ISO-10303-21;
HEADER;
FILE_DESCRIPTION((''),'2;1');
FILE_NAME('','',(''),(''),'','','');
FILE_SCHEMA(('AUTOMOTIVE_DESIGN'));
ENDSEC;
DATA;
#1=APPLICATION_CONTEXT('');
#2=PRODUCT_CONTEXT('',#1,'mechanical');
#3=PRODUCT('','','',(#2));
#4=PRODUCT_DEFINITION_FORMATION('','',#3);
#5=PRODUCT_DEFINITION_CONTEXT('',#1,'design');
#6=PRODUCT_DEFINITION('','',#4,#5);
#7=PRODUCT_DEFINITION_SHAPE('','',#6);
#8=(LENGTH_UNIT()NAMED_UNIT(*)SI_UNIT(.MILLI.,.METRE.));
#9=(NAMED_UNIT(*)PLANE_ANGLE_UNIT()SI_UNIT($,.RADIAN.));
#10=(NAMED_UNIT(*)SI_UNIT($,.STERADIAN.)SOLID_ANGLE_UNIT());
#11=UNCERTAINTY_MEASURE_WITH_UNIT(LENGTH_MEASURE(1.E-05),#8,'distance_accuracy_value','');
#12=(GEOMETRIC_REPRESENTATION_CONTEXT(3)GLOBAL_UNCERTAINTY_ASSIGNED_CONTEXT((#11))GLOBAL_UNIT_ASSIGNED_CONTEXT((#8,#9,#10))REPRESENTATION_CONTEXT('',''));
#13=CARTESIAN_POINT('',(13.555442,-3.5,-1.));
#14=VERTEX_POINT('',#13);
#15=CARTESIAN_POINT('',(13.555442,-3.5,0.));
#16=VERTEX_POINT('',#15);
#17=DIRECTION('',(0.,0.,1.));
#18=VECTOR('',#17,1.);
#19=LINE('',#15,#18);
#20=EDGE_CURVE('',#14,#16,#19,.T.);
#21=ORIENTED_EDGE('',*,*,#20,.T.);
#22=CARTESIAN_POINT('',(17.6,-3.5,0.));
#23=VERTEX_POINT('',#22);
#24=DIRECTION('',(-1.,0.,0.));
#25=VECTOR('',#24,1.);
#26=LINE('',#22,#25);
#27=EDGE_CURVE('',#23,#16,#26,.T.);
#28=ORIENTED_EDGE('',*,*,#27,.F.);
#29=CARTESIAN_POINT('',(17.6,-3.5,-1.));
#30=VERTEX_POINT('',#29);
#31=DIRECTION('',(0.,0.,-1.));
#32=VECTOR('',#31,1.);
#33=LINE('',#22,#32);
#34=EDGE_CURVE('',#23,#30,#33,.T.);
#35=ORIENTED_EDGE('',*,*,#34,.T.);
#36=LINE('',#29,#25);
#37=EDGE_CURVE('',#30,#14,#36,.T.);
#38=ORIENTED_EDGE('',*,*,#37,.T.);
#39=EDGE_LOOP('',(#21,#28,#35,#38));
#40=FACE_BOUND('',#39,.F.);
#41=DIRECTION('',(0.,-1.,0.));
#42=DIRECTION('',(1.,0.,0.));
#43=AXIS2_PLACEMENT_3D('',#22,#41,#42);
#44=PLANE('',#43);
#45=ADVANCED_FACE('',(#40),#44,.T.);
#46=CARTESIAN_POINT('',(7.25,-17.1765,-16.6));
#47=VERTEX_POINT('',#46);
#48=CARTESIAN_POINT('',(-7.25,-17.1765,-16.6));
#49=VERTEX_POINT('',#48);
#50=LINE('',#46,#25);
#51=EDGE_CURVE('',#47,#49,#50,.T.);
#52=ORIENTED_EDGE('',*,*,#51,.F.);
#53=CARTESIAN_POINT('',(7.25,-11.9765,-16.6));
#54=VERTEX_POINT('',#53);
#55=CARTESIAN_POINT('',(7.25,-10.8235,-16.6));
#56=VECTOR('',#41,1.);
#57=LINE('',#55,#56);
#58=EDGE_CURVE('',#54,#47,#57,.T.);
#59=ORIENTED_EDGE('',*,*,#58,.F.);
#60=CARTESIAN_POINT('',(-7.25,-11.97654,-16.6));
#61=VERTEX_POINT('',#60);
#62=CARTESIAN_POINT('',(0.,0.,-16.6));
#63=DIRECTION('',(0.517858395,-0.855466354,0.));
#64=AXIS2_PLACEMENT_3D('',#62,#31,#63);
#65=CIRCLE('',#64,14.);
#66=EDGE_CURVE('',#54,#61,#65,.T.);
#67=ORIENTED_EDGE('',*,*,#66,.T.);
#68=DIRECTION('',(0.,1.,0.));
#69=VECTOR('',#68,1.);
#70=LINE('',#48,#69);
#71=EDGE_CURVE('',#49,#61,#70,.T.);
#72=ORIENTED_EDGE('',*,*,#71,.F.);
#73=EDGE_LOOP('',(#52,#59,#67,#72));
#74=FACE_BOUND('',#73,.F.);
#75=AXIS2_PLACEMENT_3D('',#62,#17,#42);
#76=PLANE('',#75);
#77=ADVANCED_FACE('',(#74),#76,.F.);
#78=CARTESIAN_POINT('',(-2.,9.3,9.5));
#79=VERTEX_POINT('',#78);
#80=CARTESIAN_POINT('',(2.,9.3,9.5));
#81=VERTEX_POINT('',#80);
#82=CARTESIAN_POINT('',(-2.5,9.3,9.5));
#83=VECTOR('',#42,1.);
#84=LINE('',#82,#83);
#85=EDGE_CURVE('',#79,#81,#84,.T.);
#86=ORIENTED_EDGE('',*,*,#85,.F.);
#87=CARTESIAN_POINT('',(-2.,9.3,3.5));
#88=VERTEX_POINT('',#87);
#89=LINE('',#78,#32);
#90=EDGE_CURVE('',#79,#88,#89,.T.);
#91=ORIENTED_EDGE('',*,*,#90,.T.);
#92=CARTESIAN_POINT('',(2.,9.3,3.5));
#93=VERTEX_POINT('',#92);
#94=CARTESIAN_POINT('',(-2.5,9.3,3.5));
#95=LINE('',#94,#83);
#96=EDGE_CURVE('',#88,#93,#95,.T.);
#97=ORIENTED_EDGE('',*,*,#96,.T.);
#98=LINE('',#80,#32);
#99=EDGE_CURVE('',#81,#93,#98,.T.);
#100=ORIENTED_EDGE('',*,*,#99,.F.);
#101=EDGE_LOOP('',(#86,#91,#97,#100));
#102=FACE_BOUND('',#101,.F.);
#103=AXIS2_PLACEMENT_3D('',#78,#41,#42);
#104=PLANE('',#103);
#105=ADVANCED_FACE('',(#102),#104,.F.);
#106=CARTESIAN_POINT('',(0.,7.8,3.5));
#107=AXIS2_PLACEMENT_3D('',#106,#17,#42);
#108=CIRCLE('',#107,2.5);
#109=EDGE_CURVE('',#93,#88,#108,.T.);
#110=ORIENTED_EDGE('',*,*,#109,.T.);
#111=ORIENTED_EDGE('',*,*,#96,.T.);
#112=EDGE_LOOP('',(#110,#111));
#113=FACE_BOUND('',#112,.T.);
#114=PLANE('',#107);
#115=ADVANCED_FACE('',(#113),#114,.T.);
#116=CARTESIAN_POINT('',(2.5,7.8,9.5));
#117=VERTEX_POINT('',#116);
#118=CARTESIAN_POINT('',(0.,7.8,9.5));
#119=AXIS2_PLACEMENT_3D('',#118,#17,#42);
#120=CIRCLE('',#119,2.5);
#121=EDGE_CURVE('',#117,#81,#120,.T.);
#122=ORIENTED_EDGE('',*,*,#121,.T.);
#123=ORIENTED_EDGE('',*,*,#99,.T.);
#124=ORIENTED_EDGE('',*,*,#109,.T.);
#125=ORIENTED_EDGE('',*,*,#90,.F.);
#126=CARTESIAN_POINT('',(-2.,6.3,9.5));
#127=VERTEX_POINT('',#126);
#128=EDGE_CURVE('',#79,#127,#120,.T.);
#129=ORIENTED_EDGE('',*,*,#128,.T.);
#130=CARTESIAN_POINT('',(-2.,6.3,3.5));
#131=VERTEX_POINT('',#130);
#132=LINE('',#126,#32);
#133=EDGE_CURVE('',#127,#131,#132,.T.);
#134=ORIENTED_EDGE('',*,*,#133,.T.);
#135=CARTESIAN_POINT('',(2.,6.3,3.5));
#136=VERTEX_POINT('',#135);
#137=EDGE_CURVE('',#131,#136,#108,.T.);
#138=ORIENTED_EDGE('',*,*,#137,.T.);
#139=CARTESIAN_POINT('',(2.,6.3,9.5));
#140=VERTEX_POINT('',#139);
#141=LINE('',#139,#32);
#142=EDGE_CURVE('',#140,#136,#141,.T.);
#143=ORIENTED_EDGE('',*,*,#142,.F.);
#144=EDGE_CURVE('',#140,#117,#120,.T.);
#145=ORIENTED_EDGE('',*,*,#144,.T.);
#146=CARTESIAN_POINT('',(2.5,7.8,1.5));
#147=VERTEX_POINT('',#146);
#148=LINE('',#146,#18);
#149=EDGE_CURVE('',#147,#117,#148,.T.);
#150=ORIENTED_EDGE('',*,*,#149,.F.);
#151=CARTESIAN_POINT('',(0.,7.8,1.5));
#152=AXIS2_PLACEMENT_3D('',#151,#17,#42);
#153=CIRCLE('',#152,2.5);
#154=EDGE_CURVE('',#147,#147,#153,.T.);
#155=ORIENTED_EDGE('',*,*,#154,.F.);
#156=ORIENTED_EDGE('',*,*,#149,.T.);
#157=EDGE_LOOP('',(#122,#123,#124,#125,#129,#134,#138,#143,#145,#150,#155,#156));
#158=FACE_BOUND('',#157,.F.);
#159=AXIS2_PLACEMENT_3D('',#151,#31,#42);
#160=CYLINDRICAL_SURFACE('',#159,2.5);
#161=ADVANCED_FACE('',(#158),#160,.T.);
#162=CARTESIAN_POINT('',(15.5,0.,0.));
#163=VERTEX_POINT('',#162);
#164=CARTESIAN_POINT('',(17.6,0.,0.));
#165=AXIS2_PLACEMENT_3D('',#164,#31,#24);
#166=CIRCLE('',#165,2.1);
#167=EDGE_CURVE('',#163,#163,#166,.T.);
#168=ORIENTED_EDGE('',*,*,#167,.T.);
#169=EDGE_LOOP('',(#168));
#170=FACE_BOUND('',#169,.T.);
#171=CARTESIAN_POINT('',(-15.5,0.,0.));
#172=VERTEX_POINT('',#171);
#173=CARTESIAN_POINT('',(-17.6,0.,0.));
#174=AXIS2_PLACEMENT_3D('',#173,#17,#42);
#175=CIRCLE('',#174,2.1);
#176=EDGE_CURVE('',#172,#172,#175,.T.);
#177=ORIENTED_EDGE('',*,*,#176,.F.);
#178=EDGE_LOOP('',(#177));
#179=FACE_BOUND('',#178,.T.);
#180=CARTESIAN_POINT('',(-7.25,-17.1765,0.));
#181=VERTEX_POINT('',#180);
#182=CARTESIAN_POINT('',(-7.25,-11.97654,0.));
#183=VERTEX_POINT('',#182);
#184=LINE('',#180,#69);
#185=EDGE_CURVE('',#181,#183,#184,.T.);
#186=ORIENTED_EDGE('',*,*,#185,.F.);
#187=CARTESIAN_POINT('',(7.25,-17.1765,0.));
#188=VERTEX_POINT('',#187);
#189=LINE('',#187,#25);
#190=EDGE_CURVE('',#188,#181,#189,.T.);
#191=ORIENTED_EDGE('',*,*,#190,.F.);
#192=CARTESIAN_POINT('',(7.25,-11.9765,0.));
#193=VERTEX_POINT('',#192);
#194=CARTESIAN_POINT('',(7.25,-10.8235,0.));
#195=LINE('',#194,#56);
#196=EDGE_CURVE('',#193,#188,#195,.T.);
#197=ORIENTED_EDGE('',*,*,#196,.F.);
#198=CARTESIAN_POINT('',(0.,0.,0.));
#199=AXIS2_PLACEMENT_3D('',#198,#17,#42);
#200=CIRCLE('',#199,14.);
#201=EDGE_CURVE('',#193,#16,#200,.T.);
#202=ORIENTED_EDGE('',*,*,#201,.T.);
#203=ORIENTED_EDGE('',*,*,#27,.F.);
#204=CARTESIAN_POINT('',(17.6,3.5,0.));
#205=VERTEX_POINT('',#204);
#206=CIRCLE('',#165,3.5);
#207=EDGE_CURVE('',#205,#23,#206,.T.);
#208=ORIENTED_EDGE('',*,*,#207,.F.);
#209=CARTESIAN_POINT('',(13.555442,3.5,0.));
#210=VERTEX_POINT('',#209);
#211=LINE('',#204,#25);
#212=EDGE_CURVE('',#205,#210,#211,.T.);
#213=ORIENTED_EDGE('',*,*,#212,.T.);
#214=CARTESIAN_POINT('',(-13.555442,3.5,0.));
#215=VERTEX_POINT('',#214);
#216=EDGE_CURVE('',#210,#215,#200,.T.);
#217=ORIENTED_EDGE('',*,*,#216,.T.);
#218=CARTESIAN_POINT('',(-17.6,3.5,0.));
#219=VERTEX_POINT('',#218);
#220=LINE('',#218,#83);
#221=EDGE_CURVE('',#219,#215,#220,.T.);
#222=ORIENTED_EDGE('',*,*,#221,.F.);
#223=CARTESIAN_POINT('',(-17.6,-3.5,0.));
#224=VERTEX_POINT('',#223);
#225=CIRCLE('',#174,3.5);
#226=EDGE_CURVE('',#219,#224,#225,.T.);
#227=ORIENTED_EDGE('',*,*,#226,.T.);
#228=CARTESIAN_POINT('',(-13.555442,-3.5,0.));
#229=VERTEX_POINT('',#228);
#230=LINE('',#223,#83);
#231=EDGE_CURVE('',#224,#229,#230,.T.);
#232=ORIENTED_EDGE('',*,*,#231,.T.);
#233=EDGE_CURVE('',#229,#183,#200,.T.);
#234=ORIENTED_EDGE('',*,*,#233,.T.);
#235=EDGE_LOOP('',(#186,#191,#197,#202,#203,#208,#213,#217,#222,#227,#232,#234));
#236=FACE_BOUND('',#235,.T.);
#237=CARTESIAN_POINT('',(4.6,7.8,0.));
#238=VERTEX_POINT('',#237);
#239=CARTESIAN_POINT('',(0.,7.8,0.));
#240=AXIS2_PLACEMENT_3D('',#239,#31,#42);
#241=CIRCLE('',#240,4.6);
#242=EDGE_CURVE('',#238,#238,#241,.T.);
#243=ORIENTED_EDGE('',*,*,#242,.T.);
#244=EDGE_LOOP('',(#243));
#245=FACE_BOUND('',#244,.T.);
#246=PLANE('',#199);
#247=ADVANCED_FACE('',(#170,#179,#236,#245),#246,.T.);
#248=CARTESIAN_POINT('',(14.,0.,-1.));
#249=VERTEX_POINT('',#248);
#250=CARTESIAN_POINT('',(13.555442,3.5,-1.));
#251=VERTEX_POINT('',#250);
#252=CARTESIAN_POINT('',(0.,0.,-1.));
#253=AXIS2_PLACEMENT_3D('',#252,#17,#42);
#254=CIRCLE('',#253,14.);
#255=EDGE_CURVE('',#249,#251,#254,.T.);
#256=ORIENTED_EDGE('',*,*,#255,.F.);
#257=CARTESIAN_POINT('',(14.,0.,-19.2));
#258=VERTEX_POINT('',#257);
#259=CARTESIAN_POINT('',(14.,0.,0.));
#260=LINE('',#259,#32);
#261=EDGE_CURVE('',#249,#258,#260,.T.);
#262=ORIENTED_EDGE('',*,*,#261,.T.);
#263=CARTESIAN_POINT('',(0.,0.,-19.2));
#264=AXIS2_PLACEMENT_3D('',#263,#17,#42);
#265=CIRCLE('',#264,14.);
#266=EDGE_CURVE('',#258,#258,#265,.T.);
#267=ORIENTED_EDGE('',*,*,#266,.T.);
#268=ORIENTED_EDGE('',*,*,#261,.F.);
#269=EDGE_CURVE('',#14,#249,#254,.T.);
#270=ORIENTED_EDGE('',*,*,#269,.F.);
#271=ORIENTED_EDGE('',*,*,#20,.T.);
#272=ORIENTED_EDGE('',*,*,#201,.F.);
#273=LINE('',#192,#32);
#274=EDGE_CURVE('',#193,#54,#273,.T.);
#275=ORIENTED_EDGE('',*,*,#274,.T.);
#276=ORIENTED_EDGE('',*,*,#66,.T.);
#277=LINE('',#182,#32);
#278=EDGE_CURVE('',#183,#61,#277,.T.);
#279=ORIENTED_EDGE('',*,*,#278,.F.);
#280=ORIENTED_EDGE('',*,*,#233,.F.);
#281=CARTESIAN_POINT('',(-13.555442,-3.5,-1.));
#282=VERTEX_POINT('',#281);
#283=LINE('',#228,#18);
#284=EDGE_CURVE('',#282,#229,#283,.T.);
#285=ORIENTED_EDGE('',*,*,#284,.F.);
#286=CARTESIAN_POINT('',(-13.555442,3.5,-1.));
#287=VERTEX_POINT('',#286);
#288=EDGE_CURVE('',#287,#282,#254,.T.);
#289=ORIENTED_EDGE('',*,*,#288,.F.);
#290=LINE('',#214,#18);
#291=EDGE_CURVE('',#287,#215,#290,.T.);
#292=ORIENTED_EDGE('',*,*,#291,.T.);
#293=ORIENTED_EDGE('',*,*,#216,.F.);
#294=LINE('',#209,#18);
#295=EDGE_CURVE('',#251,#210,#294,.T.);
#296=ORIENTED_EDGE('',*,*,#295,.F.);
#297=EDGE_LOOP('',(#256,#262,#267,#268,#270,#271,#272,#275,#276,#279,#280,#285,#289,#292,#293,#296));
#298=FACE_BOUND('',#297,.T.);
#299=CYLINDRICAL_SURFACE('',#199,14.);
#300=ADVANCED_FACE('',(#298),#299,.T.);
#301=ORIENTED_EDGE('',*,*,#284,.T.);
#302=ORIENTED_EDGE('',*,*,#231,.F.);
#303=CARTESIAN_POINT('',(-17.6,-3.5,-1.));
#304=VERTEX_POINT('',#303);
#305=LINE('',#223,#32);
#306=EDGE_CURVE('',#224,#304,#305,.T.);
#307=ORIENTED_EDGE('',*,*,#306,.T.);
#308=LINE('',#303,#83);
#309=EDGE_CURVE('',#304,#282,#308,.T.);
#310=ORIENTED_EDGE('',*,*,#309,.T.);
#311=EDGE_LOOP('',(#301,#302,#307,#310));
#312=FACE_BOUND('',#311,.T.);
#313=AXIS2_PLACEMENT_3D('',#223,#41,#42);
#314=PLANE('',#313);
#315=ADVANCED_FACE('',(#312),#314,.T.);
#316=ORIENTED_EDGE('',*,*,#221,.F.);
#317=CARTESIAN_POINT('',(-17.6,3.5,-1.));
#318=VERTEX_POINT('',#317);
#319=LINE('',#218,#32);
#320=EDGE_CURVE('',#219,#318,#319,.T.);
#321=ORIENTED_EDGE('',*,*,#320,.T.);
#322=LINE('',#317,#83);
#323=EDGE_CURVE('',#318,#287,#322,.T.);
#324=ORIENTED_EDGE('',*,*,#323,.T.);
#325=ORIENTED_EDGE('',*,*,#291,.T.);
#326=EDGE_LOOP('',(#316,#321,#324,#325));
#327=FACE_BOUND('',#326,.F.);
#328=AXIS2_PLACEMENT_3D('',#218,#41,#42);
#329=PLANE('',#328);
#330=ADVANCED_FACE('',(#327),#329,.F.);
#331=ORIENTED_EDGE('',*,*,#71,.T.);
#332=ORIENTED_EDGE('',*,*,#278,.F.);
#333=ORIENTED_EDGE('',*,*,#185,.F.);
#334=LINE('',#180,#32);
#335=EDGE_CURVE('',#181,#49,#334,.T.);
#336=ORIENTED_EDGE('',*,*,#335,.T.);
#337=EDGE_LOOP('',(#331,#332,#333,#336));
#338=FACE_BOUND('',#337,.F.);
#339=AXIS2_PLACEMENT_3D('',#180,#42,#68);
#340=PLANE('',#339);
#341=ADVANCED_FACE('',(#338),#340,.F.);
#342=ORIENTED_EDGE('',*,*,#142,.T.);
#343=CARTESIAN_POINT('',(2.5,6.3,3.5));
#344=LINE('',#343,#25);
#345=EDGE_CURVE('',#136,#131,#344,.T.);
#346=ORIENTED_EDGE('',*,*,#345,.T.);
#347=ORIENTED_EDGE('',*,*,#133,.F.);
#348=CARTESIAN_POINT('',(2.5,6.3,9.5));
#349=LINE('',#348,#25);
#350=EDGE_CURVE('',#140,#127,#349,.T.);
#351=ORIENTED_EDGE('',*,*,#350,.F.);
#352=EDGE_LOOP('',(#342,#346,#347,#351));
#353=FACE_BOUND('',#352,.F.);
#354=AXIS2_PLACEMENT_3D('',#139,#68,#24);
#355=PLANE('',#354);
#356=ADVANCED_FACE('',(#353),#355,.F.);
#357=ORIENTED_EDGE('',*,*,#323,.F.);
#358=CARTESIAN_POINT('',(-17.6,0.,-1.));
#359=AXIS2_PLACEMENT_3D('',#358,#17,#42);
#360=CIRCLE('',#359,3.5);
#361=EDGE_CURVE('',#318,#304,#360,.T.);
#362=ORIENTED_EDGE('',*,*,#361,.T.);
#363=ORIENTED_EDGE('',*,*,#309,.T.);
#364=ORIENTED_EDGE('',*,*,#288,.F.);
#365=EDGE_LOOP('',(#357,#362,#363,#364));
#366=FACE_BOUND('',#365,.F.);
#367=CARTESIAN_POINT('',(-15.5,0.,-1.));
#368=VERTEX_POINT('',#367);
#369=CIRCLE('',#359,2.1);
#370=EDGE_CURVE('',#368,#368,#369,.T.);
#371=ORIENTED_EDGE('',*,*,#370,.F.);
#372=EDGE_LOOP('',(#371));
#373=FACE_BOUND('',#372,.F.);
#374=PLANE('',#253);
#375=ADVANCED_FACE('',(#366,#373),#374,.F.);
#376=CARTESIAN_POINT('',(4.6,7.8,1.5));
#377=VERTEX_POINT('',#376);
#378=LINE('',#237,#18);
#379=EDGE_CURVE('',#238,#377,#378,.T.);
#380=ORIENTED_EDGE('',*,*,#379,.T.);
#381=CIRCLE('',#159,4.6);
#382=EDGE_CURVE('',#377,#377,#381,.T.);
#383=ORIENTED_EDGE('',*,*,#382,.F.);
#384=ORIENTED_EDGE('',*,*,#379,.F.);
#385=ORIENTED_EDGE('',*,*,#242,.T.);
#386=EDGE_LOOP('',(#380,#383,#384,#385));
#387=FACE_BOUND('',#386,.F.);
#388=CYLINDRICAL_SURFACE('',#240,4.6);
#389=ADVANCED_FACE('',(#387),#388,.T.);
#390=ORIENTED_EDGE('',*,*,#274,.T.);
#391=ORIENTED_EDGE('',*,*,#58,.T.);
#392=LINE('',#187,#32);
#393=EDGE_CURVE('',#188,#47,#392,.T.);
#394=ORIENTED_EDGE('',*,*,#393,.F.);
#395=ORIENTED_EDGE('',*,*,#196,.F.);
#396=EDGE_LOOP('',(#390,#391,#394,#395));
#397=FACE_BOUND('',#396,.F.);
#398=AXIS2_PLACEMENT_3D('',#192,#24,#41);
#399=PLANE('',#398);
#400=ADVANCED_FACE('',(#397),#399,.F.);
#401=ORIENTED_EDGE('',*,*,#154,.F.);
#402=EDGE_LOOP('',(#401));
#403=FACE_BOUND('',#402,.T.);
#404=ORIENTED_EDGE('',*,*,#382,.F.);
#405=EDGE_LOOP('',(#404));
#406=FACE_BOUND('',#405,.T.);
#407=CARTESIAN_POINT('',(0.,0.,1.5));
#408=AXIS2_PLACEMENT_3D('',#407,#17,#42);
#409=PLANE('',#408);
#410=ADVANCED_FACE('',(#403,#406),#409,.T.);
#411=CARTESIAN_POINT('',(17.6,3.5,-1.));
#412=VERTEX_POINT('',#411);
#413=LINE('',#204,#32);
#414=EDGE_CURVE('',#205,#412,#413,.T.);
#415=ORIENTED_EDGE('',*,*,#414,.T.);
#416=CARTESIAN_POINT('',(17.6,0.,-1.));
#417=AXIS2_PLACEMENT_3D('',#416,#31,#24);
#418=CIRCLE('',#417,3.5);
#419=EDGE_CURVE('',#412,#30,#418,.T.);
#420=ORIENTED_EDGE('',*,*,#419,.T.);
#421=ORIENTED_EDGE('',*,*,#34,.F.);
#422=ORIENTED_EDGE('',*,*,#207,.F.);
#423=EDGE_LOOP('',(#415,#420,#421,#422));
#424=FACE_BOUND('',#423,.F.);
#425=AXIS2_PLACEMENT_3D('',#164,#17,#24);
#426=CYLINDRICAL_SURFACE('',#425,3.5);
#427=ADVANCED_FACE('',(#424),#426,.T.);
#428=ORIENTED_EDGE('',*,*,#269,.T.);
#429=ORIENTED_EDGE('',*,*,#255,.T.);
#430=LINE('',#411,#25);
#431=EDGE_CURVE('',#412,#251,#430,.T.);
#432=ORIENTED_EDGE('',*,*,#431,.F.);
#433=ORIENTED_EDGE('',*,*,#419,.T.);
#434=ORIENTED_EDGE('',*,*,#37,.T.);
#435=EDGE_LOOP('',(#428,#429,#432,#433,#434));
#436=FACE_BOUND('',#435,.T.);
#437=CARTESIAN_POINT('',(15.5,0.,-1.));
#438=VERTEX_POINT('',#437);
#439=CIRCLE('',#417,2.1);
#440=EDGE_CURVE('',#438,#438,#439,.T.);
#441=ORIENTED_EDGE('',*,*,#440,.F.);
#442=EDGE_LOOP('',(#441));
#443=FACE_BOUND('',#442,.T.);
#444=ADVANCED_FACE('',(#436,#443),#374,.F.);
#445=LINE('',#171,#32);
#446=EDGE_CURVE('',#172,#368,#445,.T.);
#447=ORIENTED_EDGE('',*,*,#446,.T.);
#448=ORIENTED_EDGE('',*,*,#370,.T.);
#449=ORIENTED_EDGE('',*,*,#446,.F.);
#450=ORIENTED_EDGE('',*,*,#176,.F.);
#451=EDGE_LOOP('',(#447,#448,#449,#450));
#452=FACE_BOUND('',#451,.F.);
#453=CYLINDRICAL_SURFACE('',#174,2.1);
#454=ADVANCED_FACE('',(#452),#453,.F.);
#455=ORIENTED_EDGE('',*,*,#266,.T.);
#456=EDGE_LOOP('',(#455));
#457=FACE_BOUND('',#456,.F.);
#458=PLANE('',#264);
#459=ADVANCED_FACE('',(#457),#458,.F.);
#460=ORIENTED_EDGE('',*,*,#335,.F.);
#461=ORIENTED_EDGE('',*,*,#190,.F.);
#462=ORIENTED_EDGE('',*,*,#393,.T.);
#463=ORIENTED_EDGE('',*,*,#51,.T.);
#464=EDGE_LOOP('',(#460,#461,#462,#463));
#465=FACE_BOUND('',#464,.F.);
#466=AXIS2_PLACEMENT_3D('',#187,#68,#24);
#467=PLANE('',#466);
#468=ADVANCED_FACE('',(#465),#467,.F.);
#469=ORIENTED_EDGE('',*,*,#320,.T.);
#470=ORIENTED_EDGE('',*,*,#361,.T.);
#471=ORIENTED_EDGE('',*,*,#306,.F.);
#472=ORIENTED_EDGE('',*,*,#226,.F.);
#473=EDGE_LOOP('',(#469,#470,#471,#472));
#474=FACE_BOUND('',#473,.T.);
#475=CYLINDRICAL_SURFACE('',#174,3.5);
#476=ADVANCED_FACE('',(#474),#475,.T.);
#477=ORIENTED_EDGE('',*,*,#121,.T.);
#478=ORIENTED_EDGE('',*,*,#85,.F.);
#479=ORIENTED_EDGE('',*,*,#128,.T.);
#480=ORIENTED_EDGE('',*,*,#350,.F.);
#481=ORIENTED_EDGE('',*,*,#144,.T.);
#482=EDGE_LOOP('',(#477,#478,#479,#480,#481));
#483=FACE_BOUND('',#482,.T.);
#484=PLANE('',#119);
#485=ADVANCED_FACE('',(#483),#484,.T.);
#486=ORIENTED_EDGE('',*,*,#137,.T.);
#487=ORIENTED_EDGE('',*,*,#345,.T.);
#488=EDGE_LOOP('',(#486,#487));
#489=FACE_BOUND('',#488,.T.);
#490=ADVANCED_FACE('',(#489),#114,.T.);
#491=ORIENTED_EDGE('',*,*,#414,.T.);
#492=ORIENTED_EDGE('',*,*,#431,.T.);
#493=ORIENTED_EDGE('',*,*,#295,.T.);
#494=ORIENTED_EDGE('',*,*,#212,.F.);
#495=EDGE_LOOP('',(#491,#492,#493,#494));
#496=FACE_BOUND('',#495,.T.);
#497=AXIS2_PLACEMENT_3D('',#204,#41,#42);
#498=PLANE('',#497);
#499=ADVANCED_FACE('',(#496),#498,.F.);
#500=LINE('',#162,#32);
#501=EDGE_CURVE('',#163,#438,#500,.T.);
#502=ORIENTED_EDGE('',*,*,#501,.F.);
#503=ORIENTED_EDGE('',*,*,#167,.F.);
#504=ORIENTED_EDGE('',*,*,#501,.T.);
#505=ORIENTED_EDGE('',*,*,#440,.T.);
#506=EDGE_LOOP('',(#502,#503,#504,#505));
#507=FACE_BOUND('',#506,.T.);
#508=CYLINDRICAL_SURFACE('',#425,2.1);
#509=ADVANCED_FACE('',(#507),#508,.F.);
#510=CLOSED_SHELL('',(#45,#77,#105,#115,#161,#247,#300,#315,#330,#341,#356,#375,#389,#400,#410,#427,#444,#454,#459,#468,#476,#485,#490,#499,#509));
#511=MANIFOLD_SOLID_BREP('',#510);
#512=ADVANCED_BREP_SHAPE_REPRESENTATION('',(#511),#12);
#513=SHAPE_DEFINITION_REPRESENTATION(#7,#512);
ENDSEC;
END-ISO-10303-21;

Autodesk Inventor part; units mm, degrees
ref_plane "YZ Plane" through (0, 0, 0) normal (1, 0, 0) x (0, 1, 0)
ref_plane "XZ Plane" through (0, 0, 0) normal (0, 1, 0) x (-1, 0, 0)
ref_plane "XY Plane" through (0, 0, 0) normal (0, 0, 1) x (1, 0, 0)
sketch "스케치1" plane through (0, 0, 0) normal (0, 0, 1) x (1, 0, 0)
  circle A0 centre (0, 0) radius 14
  line L0 (-7.25, -10.8235) -> (7.25, -10.8235) construction
  line L1 (7.25, -10.8235) -> (7.25, -17.1765)
  line L2 (7.25, -17.1765) -> (-7.25, -17.1765)
  line L3 (-7.25, -17.1765) -> (-7.25, -10.8235)
  line L4 (-7.25, -10.8235) -> (7.25, -17.1765) construction
  line L5 (7.25, -10.8235) -> (-7.25, -17.1765) construction
  line L6 (7.25, -11.9765) -> (7.25, -17.1765)
  line L7 (0, -14) -> (0, 0)
  point P0 (-7.25, -11.9765)
  dimension "d0" = 28
  dimension "d1" = 5.2
  dimension "d2" = 14.5
extrude "돌출1" add sketch "스케치1" against normal blind 19.2 contours A0
extrude "돌출2" add sketch "스케치1" against normal blind 16.6 contours A0 L1 L2 L3
sketch "스케치2" plane through (0, 0, 0) normal (0, 0, 1) x (1, 0, 0)
  circle A0 centre (-17.6, 0) radius 2.1
  circle A1 centre (-17.6, 0) radius 3.5
  line L0 (-17.6, 3.5) -> (-13.5554, 3.5)
  line L1 (-17.6, -3.5) -> (-13.5554, -3.5)
  line L2 (-17.6, 0) -> (0, 0)
  arc A2 (7.25, -11.9765) -> (-7.25, -11.9765) centre (0, 0) ccw projected
  dimension "d7" = 4.2
  dimension "d8" = 7
  dimension "d9" = 17.6
extrude "돌출3" add sketch "스케치2" against normal blind 1
mirror "미러1" about plane through (0, 0, 0) normal (1, 0, 0) of "돌출3"
sketch "스케치3" plane through (0, 0, 0) normal (0, 0, 1) x (1, 0, 0)
  circle A0 centre (0, 7.8) radius 4.6
  line L0 (0, 12.4) -> (0, 14)
  arc A1 (13.5554, 3.5) -> (-13.5554, 3.5) centre (0, 0) ccw projected
  line L1 (0, 7.8) -> (0, 0)
  point P0 (0, 14)
  dimension "d12" = 9.2
  dimension "d13" = 1.6
extrude "돌출4" add sketch "스케치3" along normal blind 1.5
sketch "스케치4" plane through (0, 7.8, 1.5) normal (0, 0, 1) x (1, 0, 0)
  circle A0 centre (0, 0) radius 4.6 projected
  circle A1 centre (0, 0) radius 2.5
  point P0 (0, -7.8)
  dimension "d16" = 5
extrude "돌출5" add sketch "스케치4" along normal blind 8 contours A1
sketch "스케치5" plane through (0, 7.8, 9.5) normal (0, 0, 1) x (1, 0, 0)
  circle A0 centre (0, 0) radius 2.5 projected
  line L0 (-2.5, 1.5) -> (2.5, 1.5)
  line L1 (2.5, 1.5) -> (2.5, -1.5)
  line L2 (2.5, -1.5) -> (-2.5, -1.5)
  line L3 (-2.5, -1.5) -> (-2.5, 1.5)
  line L4 (-2.5, 1.5) -> (2.5, -1.5) construction
  line L5 (2.5, 1.5) -> (-2.5, -1.5) construction
  point P0 (0, -7.8)
  point P1 (2, -1.5)
  point P2 (-2, -1.5)
  point P3 (-2, 1.5)
  point P4 (2, 1.5)
  dimension "d19" = 3
extrude "돌출6" cut sketch "스케치5" against normal blind 6 contours L0 A0 | A0 L2
ref_plane "작업 평면1" through (0, 0, 0) normal (1, 0, 0) x (0, 1, 0)
properties part number "스텝모터"
